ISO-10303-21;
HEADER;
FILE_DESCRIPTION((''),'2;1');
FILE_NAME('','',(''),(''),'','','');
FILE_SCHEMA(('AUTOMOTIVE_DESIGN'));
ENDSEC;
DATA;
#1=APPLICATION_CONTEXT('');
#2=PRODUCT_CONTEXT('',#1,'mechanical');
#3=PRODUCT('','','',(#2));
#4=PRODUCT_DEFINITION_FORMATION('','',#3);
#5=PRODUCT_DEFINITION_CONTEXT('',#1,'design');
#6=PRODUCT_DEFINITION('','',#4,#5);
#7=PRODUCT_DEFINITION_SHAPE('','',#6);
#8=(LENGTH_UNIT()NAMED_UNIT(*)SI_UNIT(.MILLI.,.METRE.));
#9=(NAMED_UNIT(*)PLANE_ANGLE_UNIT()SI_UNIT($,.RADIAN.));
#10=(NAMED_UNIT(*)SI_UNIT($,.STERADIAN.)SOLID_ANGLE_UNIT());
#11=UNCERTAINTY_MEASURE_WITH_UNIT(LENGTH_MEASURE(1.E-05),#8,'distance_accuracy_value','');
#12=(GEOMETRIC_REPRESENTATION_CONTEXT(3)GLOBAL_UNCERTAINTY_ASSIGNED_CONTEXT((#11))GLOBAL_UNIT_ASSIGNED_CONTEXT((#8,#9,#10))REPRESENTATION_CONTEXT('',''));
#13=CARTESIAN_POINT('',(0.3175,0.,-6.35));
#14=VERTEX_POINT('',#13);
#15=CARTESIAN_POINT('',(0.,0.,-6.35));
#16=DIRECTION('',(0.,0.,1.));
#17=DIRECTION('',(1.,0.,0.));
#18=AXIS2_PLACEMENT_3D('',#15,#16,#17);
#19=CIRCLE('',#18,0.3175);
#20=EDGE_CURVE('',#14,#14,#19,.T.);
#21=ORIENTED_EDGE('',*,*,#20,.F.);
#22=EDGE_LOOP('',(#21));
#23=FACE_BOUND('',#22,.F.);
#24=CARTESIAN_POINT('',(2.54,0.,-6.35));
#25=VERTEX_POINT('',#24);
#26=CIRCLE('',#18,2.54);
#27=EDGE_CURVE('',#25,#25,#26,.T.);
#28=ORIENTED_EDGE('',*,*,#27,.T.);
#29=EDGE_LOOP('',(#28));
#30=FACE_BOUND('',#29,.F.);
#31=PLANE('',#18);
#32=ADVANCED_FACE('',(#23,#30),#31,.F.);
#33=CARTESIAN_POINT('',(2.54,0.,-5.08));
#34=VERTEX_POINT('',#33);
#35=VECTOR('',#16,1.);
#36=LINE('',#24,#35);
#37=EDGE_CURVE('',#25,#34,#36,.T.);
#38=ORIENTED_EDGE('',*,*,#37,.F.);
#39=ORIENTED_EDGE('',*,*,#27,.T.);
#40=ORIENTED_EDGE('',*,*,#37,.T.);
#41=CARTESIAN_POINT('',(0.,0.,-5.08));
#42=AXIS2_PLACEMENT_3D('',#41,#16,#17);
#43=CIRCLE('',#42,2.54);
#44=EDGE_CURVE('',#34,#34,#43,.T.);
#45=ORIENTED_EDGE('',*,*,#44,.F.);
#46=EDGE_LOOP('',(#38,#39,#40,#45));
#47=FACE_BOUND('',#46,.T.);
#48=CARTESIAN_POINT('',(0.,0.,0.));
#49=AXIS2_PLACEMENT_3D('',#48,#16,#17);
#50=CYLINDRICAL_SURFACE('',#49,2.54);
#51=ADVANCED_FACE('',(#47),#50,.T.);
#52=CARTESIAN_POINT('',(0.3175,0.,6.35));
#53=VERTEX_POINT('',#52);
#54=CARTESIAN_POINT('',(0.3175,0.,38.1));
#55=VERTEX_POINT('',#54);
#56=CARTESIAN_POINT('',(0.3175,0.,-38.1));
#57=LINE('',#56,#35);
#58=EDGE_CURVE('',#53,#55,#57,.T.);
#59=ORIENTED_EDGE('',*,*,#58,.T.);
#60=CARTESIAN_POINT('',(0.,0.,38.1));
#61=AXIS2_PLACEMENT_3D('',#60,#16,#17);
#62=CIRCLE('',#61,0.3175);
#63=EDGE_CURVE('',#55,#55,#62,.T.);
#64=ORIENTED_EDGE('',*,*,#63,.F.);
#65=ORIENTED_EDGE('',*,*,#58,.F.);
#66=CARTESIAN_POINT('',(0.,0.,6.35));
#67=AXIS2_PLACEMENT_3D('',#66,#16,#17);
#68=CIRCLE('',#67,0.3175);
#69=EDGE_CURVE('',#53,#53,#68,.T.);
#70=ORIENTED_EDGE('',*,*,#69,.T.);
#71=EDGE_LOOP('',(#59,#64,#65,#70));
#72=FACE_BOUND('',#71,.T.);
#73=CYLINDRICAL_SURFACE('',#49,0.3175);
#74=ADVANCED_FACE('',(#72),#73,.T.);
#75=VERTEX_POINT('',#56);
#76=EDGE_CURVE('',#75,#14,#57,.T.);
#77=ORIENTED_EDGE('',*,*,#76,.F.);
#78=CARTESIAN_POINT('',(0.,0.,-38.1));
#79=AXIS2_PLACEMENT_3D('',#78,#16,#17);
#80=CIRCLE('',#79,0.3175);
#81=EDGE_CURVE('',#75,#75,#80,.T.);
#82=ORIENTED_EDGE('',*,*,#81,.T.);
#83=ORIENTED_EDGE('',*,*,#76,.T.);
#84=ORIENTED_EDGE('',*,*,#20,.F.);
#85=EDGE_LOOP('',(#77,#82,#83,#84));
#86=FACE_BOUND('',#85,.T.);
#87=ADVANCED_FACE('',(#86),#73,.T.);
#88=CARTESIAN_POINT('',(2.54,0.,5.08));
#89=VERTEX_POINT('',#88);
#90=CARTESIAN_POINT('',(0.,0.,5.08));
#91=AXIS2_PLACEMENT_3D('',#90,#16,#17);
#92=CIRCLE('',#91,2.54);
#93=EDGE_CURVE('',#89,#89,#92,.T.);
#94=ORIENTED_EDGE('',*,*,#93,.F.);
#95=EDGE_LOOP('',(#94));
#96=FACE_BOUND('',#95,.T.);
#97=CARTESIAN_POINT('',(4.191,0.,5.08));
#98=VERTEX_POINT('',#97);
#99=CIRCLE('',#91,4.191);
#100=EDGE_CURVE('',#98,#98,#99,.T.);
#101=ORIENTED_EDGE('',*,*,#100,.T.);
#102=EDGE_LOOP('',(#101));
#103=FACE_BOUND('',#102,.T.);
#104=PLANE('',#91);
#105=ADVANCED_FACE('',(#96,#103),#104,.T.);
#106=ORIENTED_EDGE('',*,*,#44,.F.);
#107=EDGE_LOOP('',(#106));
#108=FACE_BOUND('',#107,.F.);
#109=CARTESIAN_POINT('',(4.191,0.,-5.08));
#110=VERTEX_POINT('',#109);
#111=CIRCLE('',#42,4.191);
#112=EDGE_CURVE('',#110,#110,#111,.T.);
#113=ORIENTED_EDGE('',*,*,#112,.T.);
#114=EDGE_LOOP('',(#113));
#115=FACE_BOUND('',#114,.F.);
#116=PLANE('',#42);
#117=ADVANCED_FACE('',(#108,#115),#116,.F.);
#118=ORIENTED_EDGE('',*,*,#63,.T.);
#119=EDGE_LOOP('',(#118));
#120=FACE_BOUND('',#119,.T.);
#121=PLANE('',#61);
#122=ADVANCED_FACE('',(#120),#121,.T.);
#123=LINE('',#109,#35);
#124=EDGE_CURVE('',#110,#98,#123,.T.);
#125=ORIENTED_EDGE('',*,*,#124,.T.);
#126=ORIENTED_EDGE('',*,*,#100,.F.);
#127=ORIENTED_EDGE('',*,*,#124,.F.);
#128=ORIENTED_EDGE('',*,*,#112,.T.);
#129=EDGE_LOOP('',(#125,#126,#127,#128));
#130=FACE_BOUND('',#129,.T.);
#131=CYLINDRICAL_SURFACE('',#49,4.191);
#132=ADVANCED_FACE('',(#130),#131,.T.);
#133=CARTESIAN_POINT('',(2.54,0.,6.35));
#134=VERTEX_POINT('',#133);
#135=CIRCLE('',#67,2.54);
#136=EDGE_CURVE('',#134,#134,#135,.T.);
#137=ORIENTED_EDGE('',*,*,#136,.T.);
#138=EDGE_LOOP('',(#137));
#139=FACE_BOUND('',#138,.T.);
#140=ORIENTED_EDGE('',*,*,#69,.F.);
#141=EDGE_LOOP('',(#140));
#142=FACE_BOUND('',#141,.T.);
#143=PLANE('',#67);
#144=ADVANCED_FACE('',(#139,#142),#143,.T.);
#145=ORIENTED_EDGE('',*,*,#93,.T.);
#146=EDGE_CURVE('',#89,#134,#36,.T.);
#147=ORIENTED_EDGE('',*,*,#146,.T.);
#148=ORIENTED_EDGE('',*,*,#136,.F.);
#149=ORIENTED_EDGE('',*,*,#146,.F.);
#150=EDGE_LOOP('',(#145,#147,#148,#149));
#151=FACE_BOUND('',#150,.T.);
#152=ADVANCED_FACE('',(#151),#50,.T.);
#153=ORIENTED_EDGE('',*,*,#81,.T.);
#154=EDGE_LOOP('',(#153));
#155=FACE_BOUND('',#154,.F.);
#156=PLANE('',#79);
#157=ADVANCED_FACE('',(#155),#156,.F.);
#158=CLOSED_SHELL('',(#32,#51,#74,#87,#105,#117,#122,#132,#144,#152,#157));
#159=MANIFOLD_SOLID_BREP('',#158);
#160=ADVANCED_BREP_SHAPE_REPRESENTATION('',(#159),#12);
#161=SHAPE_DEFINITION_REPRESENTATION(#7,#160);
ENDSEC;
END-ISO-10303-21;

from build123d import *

# Parameters (mm, degrees)
F0_R          = 0.3175
F1_DEPTH      = 38.1
F1_DEPTH_BACK = 38.1
F0_R_2        = 2.54
F2_DEPTH      = 6.35
F2_DEPTH_BACK = 6.35
F0_R_3        = 4.191
F3_DEPTH      = 5.08
F3_DEPTH_BACK = 5.08


with BuildPart() as f1:
    # F0 (on Top) → F1 (new body, two sides)
    with BuildSketch(Plane.XY) as f1_sk:
        Circle(F0_R)
    extrude(amount=F1_DEPTH)
    extrude(f1_sk.sketch, amount=-F1_DEPTH_BACK)

    # F0 (on Top) → F2 (join, two sides)
    with BuildSketch(Plane.XY) as f2_sk:
        Circle(F0_R_2)
        Circle(F0_R, mode=Mode.SUBTRACT)
    extrude(amount=F2_DEPTH)
    extrude(f2_sk.sketch, amount=-F2_DEPTH_BACK)

    # F0 (on Top) → F3 (join, two sides)
    with BuildSketch(Plane.XY) as f3_sk:
        Circle(F0_R_3)
        Circle(F0_R_2, mode=Mode.SUBTRACT)
    extrude(amount=F3_DEPTH)
    extrude(f3_sk.sketch, amount=-F3_DEPTH_BACK)


solid = f1.part
